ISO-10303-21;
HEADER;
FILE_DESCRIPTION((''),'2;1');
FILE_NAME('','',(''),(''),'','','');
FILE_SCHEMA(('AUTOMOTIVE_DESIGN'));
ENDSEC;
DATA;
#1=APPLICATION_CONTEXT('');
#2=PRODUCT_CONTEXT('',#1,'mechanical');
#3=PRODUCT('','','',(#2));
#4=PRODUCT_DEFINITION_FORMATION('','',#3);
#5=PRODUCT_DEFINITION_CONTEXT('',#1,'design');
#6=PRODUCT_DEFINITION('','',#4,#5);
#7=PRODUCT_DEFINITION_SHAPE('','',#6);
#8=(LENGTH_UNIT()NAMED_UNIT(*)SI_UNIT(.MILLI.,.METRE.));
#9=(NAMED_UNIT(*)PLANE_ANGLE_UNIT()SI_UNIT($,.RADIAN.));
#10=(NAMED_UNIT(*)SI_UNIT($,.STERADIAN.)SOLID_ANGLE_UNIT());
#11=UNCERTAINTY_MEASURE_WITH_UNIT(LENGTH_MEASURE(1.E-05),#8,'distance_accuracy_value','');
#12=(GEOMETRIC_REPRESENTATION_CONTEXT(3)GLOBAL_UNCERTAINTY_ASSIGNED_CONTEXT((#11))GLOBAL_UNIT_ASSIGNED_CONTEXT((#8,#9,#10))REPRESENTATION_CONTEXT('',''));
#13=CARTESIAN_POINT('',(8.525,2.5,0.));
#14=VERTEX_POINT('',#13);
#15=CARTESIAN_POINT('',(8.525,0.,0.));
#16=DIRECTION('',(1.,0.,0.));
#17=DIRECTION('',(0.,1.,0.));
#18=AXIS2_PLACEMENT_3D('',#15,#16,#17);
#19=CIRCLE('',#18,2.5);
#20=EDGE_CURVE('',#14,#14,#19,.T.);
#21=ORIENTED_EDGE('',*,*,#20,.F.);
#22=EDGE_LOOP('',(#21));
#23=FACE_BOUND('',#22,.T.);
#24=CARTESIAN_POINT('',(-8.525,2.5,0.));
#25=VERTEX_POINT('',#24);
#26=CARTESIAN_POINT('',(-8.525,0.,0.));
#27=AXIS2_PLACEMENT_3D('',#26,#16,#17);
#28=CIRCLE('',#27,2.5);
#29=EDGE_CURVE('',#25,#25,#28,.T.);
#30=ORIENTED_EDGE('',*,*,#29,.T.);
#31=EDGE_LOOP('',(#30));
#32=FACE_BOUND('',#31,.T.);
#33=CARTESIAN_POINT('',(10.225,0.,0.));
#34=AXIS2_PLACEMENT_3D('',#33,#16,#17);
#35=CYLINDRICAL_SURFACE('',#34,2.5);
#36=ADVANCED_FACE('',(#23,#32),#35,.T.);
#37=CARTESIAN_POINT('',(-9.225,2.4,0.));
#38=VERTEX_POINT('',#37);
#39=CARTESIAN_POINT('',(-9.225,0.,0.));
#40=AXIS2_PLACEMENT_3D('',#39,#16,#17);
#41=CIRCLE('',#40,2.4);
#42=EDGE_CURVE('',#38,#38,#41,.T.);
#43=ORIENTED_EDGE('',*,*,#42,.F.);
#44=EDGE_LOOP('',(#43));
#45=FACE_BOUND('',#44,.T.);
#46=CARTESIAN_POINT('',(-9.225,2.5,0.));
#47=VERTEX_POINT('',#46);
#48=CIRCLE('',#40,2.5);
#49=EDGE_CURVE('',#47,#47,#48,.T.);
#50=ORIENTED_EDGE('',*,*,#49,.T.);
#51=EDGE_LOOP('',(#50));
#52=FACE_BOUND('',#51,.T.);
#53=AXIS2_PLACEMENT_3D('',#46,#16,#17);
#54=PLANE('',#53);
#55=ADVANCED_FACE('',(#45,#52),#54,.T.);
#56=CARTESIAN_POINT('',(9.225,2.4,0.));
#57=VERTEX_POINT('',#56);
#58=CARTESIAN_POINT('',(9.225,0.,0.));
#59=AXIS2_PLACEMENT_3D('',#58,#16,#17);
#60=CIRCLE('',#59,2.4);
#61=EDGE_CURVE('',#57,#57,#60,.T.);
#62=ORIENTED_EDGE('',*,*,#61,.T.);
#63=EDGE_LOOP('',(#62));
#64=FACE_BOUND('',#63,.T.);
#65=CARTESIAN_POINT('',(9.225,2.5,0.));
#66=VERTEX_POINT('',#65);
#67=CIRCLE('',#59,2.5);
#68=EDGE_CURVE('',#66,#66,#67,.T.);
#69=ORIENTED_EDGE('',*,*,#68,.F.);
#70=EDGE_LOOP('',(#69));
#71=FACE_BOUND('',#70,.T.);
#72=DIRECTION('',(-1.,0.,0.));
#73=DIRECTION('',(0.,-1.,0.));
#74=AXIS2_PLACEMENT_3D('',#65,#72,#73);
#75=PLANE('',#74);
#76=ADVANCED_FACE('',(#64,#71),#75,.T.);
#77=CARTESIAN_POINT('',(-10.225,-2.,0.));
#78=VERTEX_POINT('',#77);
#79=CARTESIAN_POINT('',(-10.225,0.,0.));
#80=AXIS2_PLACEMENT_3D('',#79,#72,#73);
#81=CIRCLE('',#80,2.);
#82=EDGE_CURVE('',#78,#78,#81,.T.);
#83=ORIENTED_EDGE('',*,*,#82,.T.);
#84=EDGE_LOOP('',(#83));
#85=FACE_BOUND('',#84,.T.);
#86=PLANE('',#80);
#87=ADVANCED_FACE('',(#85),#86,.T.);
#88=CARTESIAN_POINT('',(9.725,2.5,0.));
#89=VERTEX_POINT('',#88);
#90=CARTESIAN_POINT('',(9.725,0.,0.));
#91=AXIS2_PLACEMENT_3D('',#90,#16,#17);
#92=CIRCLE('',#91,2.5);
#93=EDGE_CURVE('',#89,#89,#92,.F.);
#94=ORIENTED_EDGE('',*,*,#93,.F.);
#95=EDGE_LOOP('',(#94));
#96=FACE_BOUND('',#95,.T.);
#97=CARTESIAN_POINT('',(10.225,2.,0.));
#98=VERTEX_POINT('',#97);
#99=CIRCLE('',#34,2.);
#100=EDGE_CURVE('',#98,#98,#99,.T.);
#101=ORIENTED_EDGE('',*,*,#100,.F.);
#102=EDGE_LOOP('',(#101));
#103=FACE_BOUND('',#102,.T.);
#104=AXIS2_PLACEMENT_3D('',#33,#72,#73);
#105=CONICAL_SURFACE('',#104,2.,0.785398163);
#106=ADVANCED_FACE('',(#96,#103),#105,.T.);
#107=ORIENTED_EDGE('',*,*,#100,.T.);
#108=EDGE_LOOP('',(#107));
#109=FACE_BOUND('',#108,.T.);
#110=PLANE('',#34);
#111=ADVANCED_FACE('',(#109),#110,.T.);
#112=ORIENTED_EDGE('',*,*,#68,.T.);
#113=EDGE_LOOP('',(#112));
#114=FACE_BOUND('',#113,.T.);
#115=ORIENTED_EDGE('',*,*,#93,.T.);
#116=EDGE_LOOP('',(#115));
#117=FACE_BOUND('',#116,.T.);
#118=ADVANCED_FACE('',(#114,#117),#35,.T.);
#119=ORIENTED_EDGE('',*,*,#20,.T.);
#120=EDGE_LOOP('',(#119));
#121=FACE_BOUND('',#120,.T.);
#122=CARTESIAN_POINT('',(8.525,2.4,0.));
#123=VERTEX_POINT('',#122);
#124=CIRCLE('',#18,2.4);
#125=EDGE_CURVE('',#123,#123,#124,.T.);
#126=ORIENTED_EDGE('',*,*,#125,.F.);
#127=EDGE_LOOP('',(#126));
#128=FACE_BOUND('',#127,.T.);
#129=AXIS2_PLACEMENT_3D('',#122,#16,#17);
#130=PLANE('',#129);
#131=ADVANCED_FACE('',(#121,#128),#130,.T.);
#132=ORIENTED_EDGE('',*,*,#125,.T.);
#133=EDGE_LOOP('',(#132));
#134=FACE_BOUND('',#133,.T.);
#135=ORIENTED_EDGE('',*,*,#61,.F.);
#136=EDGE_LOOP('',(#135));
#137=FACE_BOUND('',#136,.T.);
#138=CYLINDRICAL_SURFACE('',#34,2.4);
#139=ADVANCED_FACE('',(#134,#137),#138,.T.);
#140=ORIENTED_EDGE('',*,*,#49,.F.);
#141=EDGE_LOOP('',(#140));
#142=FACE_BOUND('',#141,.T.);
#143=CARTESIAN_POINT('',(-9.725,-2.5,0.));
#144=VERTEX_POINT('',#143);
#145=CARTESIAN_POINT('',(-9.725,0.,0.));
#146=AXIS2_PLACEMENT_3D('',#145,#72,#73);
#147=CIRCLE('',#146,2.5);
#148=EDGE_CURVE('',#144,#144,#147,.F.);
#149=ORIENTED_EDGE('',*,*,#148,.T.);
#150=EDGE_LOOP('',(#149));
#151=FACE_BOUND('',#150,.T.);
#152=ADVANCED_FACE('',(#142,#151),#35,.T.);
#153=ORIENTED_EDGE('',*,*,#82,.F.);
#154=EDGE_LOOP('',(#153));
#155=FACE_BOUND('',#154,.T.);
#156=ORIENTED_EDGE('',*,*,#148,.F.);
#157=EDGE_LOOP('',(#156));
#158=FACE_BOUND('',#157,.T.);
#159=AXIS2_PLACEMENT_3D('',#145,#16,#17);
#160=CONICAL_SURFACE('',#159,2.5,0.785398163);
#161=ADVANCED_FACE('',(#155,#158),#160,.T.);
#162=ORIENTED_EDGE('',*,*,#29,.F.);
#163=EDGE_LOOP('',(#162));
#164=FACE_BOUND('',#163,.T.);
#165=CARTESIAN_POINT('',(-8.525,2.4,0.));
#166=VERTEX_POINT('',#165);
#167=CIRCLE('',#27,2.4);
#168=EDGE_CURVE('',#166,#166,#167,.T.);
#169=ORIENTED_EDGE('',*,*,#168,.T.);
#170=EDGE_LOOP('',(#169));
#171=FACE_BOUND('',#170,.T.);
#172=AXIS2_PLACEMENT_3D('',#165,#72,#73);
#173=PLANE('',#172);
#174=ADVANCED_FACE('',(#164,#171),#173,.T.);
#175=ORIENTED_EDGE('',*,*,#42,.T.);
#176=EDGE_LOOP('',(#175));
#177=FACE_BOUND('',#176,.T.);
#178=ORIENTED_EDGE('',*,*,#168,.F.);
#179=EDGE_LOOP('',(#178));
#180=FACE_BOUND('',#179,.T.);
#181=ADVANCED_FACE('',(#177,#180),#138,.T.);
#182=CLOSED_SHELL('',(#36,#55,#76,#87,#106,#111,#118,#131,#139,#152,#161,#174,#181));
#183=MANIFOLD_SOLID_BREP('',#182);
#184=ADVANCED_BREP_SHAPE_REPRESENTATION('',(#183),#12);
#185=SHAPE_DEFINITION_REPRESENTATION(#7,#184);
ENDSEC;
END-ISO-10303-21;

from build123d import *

# Parameters (mm, degrees)
CHAMFER_1_SIZE = 0.5


with BuildPart() as part:
    # 草图1 → 旋转1 (revolve)
    with BuildSketch(Plane.XY):
        Polygon((10.225, 0), (10.225, 2.5), (9.225, 2.5), (9.225, 2.4), (8.525, 2.4), (8.525, 2.5), (-8.525, 2.5), (-8.525, 2.4), (-9.225, 2.4), (-9.225, 2.5), (-10.225, 2.5), (-10.225, 0), align=None)
    revolve(axis=Axis((10.225, 0, 0), (-1, 0, 0)))

    # 倒角1
    chamfer_1_edges = [part.edges().sort_by_distance(p)[0] for p in [
        (-10.225, -2.5, 0),
        (10.225, -2.5, 0),
    ]]
    chamfer(chamfer_1_edges, length=CHAMFER_1_SIZE)


solid = part.part
